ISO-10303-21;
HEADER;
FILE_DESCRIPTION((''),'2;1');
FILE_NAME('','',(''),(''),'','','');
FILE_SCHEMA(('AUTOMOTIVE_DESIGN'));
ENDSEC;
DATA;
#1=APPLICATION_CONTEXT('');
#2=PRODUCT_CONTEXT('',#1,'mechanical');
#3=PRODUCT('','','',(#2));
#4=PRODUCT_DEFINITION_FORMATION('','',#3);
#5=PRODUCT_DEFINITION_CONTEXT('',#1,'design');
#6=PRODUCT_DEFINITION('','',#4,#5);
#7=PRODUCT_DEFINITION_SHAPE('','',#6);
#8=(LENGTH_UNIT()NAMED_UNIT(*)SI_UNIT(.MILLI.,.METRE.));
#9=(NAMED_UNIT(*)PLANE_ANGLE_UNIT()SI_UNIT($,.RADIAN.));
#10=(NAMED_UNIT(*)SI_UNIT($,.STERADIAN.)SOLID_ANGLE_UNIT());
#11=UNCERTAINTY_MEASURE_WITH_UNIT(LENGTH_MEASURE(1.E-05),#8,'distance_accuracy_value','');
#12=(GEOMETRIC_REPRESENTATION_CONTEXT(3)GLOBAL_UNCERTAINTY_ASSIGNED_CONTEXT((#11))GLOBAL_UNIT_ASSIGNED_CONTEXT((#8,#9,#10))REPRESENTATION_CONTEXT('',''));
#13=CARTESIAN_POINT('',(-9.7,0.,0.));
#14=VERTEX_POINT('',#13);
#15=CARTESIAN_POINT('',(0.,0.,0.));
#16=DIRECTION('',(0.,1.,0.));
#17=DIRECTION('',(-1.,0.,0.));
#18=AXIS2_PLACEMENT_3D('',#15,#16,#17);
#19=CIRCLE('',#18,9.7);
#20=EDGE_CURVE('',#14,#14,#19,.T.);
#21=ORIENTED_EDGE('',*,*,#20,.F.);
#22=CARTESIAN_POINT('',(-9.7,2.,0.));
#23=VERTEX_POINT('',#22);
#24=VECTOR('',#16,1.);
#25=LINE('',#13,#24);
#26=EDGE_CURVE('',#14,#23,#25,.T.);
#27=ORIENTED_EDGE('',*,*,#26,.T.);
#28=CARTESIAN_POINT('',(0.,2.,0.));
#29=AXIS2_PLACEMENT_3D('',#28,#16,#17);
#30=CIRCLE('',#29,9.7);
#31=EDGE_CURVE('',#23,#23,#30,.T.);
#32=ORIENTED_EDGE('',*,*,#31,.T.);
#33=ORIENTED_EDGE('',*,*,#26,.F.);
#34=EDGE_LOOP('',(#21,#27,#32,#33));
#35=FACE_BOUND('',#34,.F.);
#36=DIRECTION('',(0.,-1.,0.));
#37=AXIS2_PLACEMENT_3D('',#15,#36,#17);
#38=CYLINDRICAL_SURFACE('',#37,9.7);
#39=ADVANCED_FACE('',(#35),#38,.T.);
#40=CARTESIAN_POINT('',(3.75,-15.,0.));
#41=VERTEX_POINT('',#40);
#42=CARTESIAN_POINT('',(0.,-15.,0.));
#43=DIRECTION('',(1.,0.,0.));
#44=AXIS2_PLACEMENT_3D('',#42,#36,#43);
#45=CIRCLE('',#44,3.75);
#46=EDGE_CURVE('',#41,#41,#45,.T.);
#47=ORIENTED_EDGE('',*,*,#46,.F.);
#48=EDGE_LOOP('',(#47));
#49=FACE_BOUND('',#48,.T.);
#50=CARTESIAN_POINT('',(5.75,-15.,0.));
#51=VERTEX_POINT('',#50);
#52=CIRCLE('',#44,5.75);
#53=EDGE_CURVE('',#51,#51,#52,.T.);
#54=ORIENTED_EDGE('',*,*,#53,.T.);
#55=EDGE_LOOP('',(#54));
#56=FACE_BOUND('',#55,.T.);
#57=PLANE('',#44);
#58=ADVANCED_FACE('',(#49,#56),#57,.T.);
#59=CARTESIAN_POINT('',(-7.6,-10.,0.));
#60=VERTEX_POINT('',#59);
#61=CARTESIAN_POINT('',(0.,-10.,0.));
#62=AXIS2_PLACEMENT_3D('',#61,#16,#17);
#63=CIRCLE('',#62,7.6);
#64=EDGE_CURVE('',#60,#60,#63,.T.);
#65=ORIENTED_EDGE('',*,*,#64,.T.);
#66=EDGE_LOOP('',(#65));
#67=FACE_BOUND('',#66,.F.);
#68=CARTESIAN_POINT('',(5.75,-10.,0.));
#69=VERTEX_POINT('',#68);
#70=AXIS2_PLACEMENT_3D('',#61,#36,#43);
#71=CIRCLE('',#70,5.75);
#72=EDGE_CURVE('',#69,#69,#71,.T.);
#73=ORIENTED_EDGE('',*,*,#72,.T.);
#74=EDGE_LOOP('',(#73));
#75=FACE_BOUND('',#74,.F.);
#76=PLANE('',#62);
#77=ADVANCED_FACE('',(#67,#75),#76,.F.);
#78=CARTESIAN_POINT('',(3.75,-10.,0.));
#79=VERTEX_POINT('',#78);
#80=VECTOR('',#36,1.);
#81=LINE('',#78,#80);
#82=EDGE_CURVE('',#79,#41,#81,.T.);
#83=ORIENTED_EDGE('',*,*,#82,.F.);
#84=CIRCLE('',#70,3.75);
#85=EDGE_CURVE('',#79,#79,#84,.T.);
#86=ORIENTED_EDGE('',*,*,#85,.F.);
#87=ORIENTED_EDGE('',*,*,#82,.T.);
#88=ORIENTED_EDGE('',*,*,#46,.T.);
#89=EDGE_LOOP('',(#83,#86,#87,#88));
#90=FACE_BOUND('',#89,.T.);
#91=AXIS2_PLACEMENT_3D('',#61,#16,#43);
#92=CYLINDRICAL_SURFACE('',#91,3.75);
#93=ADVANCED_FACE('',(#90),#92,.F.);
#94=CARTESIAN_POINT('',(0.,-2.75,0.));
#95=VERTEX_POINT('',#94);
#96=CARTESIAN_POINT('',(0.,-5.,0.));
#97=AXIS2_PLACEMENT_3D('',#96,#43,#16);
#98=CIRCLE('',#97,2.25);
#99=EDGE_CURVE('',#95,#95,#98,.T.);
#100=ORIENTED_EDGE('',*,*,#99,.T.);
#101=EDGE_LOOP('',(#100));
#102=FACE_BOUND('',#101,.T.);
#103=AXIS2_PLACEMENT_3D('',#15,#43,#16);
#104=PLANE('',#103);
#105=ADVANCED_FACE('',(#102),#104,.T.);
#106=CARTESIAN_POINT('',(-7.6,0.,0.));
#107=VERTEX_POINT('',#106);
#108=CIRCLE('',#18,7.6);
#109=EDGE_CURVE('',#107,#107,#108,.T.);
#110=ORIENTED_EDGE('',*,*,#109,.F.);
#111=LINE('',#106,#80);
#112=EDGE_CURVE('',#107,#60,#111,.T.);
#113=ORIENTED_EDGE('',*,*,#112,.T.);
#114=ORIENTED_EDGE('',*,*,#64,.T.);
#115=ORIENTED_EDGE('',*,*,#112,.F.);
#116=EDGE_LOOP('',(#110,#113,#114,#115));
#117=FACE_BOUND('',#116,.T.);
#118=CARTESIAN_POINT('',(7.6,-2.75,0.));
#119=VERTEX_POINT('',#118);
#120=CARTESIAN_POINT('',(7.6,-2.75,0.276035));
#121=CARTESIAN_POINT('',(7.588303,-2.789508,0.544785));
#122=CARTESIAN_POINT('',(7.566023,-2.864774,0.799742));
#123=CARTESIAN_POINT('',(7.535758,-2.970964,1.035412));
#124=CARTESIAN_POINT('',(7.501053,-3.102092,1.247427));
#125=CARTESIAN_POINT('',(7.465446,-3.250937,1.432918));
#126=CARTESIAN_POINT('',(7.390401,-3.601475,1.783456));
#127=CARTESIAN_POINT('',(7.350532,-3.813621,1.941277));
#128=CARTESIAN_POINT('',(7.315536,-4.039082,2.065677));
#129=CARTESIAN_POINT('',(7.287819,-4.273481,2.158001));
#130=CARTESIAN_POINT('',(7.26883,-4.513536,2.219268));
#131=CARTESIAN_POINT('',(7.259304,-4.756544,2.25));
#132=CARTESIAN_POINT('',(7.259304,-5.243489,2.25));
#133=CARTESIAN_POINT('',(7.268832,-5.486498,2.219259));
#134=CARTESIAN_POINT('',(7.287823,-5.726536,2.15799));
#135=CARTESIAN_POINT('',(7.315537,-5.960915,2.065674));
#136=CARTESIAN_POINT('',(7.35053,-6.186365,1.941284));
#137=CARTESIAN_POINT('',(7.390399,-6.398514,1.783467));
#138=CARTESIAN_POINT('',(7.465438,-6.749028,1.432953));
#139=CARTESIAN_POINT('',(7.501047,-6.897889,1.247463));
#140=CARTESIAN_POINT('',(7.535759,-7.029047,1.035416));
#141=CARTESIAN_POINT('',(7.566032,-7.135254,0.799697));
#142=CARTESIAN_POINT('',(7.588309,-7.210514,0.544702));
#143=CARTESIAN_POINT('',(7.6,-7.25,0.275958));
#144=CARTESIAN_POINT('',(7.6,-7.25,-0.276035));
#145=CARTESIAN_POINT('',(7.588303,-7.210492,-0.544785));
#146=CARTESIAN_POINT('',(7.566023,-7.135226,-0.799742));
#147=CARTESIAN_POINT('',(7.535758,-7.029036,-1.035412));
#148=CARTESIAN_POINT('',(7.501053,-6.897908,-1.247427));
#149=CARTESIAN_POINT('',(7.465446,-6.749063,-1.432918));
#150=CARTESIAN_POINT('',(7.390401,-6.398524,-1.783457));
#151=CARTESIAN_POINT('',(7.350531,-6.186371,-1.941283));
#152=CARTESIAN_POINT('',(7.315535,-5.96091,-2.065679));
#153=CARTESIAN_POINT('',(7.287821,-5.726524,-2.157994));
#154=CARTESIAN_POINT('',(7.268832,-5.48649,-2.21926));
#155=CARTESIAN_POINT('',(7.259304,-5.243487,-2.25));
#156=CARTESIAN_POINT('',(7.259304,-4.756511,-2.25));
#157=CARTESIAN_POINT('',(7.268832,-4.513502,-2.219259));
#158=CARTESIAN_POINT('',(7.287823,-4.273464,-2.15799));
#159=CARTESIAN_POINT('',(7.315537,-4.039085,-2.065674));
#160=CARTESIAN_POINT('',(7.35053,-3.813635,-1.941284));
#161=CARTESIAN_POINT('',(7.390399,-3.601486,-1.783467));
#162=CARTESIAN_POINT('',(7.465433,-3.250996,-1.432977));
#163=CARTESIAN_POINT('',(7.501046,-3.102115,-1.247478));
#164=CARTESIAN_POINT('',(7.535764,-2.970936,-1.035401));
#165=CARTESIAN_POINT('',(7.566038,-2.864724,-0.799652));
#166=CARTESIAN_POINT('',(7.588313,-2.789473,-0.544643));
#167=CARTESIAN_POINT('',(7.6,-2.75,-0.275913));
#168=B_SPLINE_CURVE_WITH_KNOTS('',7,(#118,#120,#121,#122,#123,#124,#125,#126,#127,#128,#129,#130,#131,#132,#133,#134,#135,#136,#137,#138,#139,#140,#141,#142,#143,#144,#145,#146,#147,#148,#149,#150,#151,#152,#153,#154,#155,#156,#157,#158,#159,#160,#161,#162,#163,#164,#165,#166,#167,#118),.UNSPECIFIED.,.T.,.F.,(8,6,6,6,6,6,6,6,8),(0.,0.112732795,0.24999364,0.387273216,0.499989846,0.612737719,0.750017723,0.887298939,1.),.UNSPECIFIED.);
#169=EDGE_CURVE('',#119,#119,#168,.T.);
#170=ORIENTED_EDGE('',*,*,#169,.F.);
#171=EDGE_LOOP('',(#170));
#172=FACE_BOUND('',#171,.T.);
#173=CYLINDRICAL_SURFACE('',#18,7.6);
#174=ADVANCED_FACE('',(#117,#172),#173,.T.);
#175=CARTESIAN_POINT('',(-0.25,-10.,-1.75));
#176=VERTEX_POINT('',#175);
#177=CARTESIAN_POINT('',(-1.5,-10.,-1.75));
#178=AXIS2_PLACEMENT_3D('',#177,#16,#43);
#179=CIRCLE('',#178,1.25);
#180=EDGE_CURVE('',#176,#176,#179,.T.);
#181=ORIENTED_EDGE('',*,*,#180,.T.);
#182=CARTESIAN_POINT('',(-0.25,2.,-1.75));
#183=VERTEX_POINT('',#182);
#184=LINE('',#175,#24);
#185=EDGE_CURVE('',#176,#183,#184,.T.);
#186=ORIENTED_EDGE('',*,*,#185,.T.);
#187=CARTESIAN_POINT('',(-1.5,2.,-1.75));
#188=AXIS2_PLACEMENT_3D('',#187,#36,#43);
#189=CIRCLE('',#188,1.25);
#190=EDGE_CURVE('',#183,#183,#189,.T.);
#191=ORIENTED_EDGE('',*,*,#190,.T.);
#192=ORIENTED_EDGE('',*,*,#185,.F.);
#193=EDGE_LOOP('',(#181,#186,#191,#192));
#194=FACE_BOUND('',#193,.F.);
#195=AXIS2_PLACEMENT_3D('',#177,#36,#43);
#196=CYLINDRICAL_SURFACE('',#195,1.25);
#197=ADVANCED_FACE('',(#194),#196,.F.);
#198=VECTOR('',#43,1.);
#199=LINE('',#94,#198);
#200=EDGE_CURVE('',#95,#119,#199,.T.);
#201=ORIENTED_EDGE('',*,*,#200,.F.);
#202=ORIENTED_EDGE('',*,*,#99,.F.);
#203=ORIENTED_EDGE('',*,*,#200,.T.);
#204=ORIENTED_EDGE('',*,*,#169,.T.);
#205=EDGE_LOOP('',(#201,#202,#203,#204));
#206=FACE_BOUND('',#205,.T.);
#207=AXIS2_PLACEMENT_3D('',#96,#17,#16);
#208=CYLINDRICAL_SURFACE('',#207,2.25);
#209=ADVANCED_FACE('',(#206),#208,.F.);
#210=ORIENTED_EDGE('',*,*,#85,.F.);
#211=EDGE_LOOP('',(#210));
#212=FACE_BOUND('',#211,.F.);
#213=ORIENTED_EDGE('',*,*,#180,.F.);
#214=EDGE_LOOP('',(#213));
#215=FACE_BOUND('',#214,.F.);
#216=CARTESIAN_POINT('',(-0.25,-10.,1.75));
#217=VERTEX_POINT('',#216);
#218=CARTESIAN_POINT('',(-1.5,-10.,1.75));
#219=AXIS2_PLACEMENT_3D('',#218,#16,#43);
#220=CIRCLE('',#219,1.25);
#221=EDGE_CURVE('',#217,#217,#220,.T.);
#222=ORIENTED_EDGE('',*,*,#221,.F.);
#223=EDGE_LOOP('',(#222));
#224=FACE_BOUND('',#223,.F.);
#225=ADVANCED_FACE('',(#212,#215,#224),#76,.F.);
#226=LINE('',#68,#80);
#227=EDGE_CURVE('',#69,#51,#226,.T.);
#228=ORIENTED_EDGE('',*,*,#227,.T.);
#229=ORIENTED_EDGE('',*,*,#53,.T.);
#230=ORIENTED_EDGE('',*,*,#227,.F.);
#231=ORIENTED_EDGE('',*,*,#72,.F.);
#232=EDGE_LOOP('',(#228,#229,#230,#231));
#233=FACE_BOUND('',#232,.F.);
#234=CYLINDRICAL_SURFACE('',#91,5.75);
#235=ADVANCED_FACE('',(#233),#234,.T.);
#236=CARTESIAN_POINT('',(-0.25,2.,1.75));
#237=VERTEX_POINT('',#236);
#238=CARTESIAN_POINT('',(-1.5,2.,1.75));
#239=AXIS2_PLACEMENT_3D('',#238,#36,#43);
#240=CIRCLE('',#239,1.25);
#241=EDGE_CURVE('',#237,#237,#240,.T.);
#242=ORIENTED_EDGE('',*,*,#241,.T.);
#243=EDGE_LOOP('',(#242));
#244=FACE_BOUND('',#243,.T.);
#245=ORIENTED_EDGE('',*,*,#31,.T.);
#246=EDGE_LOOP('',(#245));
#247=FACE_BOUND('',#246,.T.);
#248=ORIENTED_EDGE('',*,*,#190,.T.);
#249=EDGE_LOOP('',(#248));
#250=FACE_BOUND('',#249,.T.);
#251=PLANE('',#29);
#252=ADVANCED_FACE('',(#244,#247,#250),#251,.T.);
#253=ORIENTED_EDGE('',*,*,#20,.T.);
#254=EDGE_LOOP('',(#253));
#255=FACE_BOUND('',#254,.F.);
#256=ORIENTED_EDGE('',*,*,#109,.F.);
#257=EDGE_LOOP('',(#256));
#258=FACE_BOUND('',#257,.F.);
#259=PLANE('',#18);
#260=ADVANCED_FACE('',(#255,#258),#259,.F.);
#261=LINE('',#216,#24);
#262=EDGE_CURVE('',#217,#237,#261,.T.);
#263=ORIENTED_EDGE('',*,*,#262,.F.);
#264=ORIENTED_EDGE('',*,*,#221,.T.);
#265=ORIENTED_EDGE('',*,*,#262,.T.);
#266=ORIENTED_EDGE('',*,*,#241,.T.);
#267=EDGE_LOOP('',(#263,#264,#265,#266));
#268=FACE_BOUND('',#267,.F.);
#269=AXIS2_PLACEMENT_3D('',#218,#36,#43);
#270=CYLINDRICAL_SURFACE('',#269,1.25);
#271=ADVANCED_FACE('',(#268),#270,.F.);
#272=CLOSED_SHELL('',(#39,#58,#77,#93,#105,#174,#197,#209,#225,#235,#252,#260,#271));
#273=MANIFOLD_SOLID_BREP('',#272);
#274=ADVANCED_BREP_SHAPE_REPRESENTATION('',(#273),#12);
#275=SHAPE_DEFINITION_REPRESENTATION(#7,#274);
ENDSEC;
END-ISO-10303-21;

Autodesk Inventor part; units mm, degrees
ref_plane "YZ Plane" through (0, 0, 0) normal (1, 0, 0) x (0, 1, 0)
ref_plane "XZ Plane" through (0, 0, 0) normal (0, 1, 0) x (-1, 0, 0)
ref_plane "XY Plane" through (0, 0, 0) normal (0, 0, 1) x (1, 0, 0)
sketch "Sketch1" plane through (0, 0, 0) normal (0, 1, 0) x (-1, 0, 0)
  circle A0 centre (0, 0) radius 7.6
  circle A1 centre (0, 0) radius 9.7
  dimension "d0" = 15.2
  dimension "d1" = 19.4
extrude "Extrusion1" add sketch "Sketch1" along normal blind 2 contours A0 | A1
extrude "Extrusion2" add sketch "Sketch1" against normal blind 10 contours A0
sketch "Sketch2" plane through (0, 0, 0) normal (1, 0, 0) x (0, 1, 0)
  circle A0 centre (-5, 0) radius 2.25
  line L0 (0, -9.7) -> (0, 9.7) projected
  point P0 (0, 0)
  dimension "d6" = 4.5
  dimension "d7" = 5
extrude "Extrusion3" cut sketch "Sketch2" along normal blind 23
sketch "Sketch3" plane through (0, -10, 0) normal (0, -1, 0) x (1, 0, 0)
  circle A0 centre (0, 0) radius 3.75
  circle A1 centre (0, 0) radius 5.75
  dimension "d10" = 7.5
  dimension "d11" = 2
extrude "Extrusion4" add sketch "Sketch3" along normal blind 5
sketch "Sketch6" plane through (0, -10, 0) normal (0, -1, 0) x (1, 0, 0)
  circle A0 centre (0, 0) radius 3.75 projected
  circle A1 centre (-1.5, -1.75) radius 1.25
  circle A2 centre (-1.5, 1.75) radius 1.25
  line L0 (-1.5, -3.4369) -> (-1.5, 3.4369) construction
  line L1 (-1.5, -1.75) -> (-1.5, 1.75)
  point P0 (-1.5, 0)
  dimension "d18" = 2.5
  dimension "d24" = 3.5
  dimension "d25" = 1.5
extrude "Extrusion6" cut sketch "Sketch6" against normal up to next contours A1 | A2
properties part number "button bottom plug"
